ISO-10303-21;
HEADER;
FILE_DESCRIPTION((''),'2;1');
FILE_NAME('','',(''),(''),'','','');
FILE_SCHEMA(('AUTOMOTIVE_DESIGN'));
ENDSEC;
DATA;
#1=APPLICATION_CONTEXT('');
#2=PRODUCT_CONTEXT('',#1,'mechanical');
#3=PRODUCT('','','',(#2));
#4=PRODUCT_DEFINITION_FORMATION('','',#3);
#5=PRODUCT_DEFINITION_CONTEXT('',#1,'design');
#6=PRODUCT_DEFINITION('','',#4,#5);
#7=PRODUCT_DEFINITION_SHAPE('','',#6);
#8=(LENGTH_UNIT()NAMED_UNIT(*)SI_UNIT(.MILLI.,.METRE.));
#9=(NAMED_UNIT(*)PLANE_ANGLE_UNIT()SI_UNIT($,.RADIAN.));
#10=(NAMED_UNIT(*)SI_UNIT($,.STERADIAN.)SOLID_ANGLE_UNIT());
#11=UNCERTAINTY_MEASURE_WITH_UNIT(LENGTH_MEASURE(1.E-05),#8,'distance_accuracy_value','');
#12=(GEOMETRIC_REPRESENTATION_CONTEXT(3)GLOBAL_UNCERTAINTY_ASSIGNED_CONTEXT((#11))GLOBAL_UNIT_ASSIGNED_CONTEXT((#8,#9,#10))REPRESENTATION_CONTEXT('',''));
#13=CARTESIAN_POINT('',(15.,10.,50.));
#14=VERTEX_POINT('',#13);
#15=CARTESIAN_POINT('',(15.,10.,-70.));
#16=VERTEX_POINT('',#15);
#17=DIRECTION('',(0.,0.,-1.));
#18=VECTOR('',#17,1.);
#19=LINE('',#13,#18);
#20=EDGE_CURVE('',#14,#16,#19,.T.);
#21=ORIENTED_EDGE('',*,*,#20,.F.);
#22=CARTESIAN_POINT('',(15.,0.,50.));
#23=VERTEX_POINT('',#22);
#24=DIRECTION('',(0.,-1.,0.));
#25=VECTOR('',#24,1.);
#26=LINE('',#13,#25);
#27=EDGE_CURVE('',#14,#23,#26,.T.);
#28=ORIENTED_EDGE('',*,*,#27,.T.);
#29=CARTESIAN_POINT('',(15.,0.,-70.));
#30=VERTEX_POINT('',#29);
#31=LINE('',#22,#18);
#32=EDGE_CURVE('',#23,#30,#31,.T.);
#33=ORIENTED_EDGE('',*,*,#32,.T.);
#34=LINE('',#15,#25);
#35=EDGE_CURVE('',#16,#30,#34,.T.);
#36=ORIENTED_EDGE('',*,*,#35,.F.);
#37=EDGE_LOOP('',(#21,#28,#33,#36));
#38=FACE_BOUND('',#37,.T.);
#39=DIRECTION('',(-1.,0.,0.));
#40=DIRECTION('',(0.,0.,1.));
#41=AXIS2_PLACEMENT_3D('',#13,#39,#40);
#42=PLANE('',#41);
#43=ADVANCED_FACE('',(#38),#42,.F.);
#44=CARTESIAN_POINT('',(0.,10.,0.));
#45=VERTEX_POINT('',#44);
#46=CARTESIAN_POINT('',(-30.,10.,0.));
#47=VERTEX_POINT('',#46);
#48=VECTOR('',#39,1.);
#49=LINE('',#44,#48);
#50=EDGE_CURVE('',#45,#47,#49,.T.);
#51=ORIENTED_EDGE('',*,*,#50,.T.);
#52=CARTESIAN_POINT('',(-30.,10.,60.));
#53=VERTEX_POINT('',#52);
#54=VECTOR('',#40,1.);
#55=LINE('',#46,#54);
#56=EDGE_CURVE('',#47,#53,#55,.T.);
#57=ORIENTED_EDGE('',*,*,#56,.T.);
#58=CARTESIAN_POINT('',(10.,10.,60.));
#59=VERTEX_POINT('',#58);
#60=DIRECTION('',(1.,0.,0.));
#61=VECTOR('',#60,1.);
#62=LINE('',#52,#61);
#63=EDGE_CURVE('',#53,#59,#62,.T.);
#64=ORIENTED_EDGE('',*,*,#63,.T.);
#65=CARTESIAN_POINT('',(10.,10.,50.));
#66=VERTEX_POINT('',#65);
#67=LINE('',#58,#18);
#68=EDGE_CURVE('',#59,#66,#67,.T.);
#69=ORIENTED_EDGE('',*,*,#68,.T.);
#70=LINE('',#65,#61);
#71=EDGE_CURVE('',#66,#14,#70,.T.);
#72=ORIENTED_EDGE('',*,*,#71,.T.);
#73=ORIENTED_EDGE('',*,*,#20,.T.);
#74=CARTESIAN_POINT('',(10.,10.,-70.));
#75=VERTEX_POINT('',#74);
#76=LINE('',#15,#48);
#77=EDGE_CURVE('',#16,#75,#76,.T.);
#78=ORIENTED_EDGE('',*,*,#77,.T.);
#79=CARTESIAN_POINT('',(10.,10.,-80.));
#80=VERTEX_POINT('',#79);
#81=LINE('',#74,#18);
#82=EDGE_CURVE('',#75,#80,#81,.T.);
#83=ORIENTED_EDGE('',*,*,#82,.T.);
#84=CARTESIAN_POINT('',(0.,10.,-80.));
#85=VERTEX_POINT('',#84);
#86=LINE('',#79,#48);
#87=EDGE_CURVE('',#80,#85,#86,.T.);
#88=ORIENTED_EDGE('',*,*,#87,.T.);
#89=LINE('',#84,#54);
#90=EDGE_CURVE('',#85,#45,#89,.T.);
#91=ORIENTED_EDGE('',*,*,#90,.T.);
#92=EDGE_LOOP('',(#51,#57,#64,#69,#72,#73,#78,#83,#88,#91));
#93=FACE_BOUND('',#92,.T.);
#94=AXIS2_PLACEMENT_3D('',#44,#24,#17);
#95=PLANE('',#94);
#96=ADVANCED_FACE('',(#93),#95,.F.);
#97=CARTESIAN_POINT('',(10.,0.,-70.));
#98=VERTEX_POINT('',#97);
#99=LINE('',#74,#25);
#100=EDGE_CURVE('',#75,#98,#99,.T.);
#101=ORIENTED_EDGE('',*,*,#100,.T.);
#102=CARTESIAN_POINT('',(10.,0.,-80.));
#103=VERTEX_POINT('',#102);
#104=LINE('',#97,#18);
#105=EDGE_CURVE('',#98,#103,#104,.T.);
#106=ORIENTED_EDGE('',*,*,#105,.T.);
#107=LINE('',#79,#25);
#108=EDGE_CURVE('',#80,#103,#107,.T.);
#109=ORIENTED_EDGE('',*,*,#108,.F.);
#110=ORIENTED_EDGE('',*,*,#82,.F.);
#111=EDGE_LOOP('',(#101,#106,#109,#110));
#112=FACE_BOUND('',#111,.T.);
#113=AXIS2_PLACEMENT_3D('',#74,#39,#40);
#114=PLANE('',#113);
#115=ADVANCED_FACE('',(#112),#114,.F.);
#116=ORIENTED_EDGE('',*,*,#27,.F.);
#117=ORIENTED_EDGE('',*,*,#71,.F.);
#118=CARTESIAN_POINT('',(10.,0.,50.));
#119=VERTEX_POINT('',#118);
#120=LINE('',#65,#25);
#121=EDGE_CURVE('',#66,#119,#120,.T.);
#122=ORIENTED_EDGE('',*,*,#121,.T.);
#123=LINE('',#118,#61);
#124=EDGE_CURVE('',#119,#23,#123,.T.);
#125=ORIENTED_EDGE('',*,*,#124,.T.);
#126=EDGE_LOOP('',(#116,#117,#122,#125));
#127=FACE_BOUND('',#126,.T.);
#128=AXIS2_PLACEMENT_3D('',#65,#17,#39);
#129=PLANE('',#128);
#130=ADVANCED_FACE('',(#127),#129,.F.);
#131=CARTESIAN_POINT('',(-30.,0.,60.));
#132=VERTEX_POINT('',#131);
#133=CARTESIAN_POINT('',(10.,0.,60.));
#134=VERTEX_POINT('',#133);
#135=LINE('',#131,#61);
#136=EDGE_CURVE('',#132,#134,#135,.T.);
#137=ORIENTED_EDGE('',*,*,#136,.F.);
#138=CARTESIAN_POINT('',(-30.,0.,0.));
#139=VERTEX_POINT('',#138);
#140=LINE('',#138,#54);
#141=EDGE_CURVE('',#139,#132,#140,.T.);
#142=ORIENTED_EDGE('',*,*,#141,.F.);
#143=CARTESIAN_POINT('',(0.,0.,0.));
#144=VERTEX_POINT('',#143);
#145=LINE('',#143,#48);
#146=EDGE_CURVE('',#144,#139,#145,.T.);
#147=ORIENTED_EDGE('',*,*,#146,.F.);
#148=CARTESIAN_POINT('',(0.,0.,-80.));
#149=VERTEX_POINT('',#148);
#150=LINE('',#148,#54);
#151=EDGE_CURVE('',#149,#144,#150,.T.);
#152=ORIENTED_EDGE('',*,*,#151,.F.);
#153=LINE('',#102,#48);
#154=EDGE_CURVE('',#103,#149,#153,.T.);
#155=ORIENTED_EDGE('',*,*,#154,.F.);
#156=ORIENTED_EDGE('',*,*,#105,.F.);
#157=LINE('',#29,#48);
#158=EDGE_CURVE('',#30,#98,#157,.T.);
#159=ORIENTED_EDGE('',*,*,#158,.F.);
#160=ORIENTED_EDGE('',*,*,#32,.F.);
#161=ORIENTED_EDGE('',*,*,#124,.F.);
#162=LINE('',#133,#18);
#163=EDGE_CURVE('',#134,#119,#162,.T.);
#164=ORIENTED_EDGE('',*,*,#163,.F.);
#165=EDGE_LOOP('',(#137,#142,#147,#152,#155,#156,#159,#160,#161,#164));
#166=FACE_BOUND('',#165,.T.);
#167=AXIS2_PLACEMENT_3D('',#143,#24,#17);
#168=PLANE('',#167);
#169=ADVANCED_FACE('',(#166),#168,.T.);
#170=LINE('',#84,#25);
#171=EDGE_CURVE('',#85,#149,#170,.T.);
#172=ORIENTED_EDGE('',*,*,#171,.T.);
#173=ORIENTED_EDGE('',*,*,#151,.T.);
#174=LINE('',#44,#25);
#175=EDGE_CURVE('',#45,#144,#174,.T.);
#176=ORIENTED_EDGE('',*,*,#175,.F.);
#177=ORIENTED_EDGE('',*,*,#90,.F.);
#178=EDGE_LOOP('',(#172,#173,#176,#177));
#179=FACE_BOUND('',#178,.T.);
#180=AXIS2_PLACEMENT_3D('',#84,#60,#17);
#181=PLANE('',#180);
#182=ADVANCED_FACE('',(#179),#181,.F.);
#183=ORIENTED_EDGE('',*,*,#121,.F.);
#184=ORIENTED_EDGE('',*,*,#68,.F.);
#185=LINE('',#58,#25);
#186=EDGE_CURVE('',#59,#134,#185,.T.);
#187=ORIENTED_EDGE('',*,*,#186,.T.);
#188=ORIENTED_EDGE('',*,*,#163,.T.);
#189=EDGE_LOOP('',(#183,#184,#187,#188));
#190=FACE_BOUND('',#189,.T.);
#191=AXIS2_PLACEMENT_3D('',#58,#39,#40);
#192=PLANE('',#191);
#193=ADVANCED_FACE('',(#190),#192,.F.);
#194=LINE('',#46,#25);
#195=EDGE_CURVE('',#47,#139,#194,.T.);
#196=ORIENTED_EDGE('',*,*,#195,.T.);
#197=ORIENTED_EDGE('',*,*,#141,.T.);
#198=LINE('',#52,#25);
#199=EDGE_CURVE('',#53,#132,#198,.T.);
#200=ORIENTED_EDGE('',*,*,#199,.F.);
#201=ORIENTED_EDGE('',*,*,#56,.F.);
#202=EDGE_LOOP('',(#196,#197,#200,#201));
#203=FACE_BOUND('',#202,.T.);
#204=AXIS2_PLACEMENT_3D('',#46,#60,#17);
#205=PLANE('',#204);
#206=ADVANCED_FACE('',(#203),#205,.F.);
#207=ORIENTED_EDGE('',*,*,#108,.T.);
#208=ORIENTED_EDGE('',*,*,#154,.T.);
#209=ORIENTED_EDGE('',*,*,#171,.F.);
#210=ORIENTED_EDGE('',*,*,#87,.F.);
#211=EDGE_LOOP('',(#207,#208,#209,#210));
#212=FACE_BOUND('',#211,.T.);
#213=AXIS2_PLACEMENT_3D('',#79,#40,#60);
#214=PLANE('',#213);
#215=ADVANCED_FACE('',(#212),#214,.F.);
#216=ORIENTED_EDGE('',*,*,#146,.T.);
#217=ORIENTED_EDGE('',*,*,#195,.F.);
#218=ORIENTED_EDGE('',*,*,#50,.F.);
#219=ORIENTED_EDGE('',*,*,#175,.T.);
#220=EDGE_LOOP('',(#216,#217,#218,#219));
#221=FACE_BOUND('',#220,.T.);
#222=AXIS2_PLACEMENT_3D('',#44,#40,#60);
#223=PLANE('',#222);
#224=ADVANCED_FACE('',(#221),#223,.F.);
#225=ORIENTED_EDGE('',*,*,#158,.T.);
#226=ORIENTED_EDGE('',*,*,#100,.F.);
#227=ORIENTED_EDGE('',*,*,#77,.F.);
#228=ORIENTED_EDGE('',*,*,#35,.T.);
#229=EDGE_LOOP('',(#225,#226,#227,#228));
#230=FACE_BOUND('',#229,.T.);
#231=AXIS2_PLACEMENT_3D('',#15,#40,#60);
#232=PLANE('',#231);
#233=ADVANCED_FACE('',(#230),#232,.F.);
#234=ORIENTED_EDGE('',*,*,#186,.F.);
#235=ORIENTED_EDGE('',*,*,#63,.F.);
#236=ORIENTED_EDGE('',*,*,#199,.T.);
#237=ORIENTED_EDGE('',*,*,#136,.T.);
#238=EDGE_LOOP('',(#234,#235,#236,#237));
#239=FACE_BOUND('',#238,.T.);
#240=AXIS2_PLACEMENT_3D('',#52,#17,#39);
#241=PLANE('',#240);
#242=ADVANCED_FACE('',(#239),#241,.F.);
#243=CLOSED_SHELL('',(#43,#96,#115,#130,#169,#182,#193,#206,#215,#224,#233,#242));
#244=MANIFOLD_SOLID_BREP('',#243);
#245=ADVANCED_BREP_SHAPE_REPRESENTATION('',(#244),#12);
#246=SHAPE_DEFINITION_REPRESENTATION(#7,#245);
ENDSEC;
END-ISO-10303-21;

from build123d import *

# Parameters (mm, degrees)
BOSS_EXTRUDE1_DEPTH = 10


with BuildPart() as part:
    # Sketch1 → Boss-Extrude1 (new body)
    with BuildSketch(Plane(origin=(0, 0, 0), x_dir=(1, 0, 0), z_dir=(0, 1, 0))):
        Polygon((0, 0), (-30, 0), (-30, -60), (10, -60), (10, -50), (15, -50), (15, 70), (10, 70), (10, 80), (0, 80), align=None)
    extrude(amount=BOSS_EXTRUDE1_DEPTH)


solid = part.part
